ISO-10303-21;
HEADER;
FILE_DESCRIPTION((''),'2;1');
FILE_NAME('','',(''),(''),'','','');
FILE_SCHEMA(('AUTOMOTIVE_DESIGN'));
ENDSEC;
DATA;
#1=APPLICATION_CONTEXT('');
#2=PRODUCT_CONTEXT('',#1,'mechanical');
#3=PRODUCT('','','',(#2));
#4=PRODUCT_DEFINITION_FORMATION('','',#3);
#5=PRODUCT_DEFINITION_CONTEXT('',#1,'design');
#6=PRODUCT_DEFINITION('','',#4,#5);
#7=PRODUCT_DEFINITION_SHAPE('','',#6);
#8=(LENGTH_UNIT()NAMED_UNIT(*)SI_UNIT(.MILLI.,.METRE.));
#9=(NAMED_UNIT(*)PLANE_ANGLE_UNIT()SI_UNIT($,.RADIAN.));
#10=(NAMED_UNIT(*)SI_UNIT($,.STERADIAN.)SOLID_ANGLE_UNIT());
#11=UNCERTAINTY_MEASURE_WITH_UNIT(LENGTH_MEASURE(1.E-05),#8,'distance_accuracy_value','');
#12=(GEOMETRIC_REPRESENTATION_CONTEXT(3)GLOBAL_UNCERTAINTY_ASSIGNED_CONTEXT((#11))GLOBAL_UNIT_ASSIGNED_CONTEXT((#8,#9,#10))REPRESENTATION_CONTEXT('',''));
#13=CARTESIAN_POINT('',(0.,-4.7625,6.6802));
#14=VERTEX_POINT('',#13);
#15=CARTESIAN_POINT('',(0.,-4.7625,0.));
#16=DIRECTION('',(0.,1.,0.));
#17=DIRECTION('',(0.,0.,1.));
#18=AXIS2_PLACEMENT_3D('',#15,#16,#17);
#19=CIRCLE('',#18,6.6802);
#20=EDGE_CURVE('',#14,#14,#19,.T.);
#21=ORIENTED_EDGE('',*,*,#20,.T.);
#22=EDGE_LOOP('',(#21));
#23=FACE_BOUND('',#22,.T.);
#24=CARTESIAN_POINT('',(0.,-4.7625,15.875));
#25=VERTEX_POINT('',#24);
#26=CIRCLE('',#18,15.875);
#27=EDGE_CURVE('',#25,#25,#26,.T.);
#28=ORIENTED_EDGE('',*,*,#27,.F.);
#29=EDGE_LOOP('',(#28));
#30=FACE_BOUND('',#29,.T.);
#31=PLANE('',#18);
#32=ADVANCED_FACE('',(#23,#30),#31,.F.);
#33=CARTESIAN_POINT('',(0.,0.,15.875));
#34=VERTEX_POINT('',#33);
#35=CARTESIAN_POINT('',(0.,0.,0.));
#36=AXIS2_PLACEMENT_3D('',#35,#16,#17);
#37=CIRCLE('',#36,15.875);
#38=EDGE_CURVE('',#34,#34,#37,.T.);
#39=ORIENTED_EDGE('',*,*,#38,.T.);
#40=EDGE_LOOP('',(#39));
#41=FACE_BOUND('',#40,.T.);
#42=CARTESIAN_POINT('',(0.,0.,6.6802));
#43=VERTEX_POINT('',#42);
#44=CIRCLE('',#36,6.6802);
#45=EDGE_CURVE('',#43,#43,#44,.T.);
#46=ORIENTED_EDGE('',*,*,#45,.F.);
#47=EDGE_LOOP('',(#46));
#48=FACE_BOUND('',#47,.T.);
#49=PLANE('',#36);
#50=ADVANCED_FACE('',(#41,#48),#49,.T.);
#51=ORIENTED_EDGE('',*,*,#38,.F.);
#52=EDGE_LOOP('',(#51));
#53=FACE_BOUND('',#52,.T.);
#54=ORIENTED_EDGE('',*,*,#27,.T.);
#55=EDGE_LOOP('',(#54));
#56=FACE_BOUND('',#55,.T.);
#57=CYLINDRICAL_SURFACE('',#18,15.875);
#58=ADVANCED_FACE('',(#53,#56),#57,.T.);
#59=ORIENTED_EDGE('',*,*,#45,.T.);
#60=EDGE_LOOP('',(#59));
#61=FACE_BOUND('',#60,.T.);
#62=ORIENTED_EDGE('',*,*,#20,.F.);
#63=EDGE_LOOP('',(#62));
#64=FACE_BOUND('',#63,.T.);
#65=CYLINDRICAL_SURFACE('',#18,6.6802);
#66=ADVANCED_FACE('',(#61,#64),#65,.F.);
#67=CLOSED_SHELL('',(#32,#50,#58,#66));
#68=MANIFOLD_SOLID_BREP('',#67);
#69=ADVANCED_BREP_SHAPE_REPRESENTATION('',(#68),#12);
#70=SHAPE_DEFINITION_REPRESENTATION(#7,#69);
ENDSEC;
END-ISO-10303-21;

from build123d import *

# Parameters (mm, degrees)
SKETCH1_R      = 15.875
SKETCH1_R_2    = 6.6802
EXTRUDE1_DEPTH = 4.7625


with BuildPart() as part:
    # Sketch1 → Extrude1 (new body)
    with BuildSketch(Plane(origin=(0, 0, 0), x_dir=(1, 0, 0), z_dir=(0, 1, 0))):
        Circle(SKETCH1_R)
        Circle(SKETCH1_R_2, mode=Mode.SUBTRACT)
    extrude(amount=-EXTRUDE1_DEPTH)


solid = part.part
